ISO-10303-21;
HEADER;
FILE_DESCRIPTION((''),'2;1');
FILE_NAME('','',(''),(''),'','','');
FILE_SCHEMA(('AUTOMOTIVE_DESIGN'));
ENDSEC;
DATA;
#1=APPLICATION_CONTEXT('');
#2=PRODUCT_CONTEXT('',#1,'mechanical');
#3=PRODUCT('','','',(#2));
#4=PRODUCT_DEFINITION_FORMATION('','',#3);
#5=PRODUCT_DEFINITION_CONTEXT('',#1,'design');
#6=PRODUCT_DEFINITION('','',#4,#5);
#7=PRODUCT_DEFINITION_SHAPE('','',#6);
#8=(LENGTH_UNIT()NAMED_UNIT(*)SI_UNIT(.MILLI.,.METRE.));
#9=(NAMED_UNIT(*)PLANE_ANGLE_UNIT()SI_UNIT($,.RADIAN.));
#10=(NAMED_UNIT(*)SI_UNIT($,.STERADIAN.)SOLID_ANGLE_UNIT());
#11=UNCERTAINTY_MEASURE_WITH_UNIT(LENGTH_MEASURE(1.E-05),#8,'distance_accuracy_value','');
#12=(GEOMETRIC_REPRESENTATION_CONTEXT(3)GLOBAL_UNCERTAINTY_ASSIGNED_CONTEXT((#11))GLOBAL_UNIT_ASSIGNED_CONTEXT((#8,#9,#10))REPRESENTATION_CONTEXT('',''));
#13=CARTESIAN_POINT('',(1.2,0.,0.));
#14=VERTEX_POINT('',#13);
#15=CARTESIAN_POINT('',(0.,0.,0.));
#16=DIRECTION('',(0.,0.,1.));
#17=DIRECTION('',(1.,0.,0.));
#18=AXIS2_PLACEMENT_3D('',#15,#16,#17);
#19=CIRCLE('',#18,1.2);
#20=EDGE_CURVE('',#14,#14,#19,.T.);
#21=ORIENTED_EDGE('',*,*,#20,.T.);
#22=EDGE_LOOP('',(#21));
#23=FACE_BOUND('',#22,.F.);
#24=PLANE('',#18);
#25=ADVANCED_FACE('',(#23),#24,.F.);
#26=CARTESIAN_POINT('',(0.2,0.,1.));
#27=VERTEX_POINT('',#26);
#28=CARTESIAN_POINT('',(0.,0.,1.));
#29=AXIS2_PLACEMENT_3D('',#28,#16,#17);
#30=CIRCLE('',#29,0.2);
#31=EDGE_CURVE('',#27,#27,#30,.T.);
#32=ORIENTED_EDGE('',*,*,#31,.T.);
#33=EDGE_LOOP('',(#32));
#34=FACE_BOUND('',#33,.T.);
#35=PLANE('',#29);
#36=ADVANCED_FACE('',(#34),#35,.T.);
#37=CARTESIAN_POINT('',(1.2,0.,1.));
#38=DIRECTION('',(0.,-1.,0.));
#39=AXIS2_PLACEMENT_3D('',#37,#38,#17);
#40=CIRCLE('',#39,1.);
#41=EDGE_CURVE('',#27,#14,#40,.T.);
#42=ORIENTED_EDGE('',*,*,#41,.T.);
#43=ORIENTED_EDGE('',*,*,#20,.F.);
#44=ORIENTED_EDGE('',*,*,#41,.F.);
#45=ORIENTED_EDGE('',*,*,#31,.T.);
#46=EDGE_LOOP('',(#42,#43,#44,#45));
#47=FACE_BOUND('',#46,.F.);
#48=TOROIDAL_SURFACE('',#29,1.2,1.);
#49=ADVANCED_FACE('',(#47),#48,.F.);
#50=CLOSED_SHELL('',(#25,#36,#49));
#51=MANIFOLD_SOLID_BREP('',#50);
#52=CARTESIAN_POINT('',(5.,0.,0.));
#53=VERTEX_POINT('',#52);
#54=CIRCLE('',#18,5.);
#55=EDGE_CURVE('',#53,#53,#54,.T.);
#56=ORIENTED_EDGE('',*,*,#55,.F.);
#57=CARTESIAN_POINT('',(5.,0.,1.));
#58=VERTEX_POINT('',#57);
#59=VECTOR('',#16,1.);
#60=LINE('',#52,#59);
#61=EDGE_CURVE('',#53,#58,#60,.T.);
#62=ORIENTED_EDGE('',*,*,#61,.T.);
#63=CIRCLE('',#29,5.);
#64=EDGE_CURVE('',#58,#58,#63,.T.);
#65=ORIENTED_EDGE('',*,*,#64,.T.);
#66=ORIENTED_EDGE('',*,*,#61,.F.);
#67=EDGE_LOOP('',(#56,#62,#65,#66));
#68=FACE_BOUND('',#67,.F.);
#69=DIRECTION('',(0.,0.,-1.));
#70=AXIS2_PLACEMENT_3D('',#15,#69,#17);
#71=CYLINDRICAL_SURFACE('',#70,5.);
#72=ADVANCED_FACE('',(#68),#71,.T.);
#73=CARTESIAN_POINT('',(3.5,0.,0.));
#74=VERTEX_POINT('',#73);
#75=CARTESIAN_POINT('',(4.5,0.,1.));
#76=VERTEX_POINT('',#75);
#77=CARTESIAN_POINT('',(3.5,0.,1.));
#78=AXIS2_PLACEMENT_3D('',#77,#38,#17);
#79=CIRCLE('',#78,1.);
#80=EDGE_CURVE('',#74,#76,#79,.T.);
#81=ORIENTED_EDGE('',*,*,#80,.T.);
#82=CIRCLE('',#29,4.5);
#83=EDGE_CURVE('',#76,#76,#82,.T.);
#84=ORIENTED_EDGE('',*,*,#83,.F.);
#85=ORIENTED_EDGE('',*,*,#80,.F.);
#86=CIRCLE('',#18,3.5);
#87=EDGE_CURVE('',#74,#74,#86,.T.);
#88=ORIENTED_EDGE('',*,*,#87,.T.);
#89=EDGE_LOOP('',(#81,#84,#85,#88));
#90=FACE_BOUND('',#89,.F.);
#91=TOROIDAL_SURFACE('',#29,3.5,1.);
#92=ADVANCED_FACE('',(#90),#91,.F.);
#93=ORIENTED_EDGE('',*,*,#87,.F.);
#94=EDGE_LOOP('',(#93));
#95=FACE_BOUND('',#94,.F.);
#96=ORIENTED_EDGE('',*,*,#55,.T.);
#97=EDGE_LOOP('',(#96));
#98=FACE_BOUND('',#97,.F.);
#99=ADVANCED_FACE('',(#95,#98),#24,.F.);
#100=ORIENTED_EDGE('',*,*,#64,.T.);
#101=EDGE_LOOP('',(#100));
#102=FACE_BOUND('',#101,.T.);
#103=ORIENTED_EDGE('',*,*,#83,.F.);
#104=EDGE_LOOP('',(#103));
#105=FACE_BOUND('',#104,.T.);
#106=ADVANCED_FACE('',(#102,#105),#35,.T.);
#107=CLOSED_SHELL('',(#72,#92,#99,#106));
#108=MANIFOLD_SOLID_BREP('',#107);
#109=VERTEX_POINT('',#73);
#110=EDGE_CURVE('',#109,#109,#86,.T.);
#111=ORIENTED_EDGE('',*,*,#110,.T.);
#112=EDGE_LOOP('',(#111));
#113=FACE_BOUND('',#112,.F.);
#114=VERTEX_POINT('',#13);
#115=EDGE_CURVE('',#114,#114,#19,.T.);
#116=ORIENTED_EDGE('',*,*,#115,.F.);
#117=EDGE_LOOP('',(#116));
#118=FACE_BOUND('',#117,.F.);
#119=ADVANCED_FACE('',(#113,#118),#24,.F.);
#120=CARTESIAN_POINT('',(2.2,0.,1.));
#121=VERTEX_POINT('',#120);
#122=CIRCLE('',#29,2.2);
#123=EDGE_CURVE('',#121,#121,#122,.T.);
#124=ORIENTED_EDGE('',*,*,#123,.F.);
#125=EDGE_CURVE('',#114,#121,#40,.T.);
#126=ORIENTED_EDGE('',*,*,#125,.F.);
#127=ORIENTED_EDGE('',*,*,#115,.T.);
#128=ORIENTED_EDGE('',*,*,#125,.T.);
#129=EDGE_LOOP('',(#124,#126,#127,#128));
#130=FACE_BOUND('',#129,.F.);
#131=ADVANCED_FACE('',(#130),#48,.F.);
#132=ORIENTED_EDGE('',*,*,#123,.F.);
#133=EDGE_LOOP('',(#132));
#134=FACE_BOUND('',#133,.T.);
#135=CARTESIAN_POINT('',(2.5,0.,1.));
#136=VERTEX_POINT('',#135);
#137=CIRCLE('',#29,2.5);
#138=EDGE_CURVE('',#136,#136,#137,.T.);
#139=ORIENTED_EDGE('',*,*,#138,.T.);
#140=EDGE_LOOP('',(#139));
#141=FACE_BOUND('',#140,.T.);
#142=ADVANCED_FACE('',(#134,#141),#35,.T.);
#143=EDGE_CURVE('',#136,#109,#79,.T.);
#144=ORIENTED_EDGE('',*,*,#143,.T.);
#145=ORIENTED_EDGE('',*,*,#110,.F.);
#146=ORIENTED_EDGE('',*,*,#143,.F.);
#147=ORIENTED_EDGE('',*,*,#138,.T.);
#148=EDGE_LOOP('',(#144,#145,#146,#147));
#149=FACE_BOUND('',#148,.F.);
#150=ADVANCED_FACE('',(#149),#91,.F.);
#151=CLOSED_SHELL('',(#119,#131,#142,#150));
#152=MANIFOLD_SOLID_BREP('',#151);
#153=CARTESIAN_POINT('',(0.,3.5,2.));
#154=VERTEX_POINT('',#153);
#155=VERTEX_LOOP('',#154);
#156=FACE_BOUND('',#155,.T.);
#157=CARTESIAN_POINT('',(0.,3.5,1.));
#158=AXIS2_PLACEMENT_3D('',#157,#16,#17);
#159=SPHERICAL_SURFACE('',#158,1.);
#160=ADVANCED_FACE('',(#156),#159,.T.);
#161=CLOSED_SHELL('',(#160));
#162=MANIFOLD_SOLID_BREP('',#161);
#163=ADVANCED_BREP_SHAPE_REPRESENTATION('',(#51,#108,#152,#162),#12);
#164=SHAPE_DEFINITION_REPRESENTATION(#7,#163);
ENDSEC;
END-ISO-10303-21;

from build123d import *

# Parameters (mm, degrees)
TORUS001_R     = 1
TORUS_R        = 1
CYLINDER_R     = 5
CYLINDER_DEPTH = 1


with BuildPart() as toro001:
    # Torus001 → Torus001 (revolve)
    with BuildSketch(Plane(origin=(0, 0, 1), x_dir=(1, 0, 0), z_dir=(0, -1, 0))):
        with Locations((1.2, 0)):
            Circle(TORUS001_R)
    revolve(axis=Axis((0, 0, 1), (0, 0, 1)))


with BuildPart() as toro:
    # Torus → Torus (revolve)
    with BuildSketch(Plane(origin=(0, 0, 1), x_dir=(1, 0, 0), z_dir=(0, -1, 0))):
        with Locations((3.5, 0)):
            Circle(TORUS_R)
    revolve(axis=Axis((0, 0, 1), (0, 0, 1)))


with BuildPart() as cut001:
    # Cylinder → Cylinder (new body)
    with BuildSketch(Plane.XY):
        Circle(CYLINDER_R)
    extrude(amount=CYLINDER_DEPTH)

    # Cut: cut Toro
    add(toro.part, mode=Mode.SUBTRACT)

    # Cut001: cut Toro001
    add(toro001.part, mode=Mode.SUBTRACT)


with BuildPart() as esfera:
    # Sphere → Sphere (revolve)
    with BuildSketch(Plane(origin=(0, 3.5, 1), x_dir=(1, 0, 0), z_dir=(0, -1, 0))):
        with BuildLine():
            ThreePointArc((0, -1), (1, 0), (0, 1))
            Line((0, 1), (0, -1))
        make_face()
    revolve(axis=Axis((0, 3.5, 1), (0, 0, 1)))


solid = Compound([cut001.part, esfera.part])
